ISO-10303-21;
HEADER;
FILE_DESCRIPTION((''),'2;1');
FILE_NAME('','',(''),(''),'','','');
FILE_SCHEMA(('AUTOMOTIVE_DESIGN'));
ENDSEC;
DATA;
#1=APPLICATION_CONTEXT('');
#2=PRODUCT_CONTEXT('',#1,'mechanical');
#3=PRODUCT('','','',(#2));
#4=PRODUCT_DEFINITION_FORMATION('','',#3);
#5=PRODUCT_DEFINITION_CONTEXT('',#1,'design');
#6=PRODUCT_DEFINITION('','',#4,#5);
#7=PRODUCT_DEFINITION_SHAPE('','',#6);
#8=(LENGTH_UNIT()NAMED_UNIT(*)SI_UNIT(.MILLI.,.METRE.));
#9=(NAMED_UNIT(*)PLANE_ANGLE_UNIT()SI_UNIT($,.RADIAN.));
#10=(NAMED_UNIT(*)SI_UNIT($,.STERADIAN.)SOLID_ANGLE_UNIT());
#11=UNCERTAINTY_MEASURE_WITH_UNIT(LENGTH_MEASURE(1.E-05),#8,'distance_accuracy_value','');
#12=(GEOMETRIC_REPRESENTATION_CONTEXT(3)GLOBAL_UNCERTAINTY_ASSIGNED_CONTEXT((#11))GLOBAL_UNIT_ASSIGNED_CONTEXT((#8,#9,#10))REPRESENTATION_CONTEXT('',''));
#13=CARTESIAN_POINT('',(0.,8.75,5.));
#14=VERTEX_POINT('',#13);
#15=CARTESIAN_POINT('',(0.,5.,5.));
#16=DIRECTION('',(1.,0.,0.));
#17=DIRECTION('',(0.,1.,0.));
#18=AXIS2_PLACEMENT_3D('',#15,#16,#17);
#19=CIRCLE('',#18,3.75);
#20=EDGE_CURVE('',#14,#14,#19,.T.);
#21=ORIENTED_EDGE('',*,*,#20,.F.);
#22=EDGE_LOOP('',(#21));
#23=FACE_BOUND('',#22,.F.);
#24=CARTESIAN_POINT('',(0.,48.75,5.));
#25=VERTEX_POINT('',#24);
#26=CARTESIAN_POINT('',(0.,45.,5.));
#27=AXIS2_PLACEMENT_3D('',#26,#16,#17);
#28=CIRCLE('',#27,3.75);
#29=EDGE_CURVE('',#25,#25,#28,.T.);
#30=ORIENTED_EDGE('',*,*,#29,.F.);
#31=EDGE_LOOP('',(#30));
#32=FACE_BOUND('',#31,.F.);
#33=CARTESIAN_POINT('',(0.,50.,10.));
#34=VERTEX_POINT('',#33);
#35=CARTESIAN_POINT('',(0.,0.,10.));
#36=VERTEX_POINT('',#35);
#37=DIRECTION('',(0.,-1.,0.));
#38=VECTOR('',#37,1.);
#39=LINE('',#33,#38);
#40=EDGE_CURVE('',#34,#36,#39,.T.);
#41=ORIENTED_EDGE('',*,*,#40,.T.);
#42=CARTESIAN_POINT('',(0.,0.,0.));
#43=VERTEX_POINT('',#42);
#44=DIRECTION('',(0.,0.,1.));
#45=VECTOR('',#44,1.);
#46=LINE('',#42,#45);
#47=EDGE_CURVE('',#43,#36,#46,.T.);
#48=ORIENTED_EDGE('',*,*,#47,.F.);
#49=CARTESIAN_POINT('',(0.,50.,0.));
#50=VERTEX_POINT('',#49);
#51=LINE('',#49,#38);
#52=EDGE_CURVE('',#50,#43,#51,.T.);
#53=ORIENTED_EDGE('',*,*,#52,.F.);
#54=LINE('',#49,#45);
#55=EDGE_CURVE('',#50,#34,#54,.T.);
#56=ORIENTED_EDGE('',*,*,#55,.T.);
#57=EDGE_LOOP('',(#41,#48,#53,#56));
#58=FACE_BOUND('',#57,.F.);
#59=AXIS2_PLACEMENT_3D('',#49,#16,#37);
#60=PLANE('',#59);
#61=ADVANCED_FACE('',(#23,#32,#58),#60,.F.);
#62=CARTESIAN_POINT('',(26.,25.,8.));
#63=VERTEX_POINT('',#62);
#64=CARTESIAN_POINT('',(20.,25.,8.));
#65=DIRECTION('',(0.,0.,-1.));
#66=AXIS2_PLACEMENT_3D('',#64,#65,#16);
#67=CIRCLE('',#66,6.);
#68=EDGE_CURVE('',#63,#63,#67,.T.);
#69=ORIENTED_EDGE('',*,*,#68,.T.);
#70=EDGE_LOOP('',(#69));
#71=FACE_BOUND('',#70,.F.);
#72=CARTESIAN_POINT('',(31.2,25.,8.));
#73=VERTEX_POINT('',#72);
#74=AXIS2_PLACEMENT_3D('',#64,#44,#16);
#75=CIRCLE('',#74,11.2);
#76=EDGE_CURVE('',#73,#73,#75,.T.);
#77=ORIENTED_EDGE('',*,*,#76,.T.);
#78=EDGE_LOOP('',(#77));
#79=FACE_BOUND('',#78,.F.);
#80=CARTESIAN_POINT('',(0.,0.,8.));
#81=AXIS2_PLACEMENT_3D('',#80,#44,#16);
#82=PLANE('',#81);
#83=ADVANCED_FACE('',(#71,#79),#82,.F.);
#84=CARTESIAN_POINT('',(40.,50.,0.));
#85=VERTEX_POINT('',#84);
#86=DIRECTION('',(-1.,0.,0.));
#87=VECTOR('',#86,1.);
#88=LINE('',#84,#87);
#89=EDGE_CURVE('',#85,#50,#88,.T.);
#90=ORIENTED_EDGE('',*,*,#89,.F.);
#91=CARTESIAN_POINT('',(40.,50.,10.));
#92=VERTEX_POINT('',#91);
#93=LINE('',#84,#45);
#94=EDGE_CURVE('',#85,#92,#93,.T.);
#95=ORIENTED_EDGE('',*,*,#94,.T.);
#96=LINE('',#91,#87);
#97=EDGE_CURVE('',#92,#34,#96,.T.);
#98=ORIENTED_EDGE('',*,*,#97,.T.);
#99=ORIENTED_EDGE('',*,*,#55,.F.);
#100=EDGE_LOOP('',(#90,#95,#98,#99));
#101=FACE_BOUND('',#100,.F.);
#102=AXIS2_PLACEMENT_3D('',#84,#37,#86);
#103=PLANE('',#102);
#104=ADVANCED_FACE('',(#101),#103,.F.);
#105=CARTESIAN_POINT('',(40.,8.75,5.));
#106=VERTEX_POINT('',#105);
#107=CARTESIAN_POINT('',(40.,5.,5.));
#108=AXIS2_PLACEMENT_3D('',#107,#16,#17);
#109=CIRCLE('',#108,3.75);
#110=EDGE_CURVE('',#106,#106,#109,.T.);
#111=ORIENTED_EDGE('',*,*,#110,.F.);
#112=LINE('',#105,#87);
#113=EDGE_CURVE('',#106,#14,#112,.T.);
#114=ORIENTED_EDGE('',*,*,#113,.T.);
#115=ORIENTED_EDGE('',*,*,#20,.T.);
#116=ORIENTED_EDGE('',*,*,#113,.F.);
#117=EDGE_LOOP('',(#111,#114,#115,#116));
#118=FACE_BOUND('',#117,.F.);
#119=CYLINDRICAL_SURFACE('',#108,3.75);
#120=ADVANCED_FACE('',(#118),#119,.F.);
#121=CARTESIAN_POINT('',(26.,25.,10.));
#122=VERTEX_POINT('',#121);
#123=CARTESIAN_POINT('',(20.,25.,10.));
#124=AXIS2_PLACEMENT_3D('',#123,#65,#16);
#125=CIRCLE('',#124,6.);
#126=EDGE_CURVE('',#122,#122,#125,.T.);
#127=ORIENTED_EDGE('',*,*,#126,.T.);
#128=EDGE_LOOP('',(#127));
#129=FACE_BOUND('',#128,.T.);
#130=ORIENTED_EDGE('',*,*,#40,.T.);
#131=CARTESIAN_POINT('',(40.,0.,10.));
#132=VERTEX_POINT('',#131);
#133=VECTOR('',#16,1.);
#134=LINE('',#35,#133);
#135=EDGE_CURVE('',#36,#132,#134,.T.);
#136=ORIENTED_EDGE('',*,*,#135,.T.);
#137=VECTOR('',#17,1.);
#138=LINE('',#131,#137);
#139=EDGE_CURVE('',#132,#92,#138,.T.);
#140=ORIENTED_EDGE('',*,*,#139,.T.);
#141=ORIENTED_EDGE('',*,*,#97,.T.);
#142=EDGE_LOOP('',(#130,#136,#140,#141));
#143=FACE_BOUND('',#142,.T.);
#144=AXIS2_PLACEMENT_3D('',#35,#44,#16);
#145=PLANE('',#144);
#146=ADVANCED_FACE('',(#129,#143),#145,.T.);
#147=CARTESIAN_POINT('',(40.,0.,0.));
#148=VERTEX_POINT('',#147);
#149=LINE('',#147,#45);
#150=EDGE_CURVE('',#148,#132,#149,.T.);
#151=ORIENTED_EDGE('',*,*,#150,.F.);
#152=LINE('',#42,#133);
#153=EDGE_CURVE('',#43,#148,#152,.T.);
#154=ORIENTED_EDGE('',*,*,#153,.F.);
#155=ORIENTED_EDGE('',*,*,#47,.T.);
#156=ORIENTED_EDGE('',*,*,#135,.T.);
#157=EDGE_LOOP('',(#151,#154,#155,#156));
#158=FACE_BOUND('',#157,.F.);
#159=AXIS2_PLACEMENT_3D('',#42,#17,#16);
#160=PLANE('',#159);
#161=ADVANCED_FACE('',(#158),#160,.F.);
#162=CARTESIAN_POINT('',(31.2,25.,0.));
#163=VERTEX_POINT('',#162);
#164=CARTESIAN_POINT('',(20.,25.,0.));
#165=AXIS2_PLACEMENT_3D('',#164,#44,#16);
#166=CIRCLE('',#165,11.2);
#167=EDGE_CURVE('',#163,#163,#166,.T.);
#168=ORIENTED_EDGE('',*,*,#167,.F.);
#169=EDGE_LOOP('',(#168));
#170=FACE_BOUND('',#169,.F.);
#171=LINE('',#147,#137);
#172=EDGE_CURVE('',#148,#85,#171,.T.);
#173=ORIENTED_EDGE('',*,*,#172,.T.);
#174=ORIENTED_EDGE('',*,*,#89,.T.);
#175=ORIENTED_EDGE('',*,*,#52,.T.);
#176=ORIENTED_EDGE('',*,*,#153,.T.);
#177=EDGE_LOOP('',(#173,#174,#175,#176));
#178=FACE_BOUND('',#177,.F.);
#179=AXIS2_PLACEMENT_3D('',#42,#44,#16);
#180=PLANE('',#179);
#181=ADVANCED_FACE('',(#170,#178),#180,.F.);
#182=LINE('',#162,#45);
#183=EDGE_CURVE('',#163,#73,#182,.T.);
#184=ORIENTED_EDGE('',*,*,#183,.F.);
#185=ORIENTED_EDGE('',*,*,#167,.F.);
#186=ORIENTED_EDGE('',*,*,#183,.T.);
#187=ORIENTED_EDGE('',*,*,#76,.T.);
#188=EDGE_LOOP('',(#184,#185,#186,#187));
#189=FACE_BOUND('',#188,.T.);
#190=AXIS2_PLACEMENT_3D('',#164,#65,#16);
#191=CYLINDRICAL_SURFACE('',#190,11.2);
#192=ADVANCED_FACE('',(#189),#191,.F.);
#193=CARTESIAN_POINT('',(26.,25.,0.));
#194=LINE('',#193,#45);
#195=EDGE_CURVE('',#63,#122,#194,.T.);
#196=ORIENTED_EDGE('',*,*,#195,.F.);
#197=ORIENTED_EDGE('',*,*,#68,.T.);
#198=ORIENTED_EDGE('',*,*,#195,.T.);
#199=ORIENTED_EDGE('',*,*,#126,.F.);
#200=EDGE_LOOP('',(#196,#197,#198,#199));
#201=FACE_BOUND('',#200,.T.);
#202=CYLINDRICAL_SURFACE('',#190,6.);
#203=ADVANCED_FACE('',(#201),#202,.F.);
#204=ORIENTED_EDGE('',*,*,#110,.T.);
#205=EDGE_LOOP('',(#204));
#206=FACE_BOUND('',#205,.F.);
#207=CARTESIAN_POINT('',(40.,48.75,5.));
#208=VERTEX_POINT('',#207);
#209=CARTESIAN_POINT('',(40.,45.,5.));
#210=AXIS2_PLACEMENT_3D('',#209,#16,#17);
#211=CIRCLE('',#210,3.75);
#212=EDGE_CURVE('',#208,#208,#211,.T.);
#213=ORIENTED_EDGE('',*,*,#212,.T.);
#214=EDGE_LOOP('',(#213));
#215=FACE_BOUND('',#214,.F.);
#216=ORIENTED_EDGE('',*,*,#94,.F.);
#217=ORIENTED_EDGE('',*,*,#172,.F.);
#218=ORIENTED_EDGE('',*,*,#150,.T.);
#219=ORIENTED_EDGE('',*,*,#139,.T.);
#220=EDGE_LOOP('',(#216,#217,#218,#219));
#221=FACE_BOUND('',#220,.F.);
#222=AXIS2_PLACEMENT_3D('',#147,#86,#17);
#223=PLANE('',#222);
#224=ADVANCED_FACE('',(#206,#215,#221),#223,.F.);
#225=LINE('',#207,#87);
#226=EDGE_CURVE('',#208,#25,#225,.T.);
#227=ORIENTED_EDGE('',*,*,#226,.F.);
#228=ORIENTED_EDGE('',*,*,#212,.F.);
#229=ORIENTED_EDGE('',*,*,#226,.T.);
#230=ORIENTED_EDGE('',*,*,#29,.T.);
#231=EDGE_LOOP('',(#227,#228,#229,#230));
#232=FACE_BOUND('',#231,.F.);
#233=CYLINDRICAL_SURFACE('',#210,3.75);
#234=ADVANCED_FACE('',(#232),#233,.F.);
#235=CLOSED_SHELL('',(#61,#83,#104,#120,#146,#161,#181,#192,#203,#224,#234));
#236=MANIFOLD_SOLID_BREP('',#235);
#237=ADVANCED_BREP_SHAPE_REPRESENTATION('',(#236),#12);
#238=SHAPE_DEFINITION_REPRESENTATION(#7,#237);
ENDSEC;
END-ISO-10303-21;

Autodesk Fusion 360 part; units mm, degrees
sketch "Top" plane through (0, 0, 0) normal (0, 0, 1) x (1, 0, 0)
  line L0 (0, 0) -> (40, 0)
  line L1 (40, 0) -> (40, 50)
  line L2 (40, 50) -> (0, 50)
  line L3 (0, 50) -> (0, 0)
  circle A0 centre (20, 25) radius 11.2
  circle A1 centre (20, 25) radius 6
  dimension "d6" = 40
  dimension "d7" = 50
  dimension "d11" = 22.4
  dimension "d12" = 25
  dimension "d13" = 20
  dimension "d27" = 12
extrude "Extrude1" add sketch "Top" along normal blind 10 contours L0 L1 L2 L3 | A0 | A1
extrude "Extrude2" cut sketch "Top" along normal blind 8 contours A0 | A1
sketch "Sketch2" plane through (40, 0, 0) normal (1, 0, 0) x (0, 1, 0)
  line L0 (0, 0) -> (50, 0)
  line L1 (50, 0) -> (50, 10)
  line L2 (50, 10) -> (0, 10)
  line L3 (0, 10) -> (0, 0)
  circle A0 centre (5, 5) radius 3.75
  circle A1 centre (45, 5) radius 3.75
  dimension "d16" = 7.5
  dimension "d17" = 7.5
  dimension "d18" = 5
  dimension "d19" = 5
  dimension "d20" = 5
  dimension "d21" = 5
extrude "Extrude3" cut sketch "Sketch2" against normal blind 50 contours A0
extrude "Extrude4" cut sketch "Sketch2" against normal blind 50 contours A1
extrude "Extrude5" cut sketch "Top" along normal blind 20 contours A1
equation "length = 50 mm"
equation "width = 40 mm"
equation "thickness = 10 mm"
equation "extra = 10 mm"
equation "fit_gap = 0.2 mm"
equation "d6 = width"
equation "d7 = length"
equation "d8 = thickness"
equation "bearing_outer_radius = 11.1 mm"
equation "d11 = ( bearing_outer_radius * 2 ) + fit_gap"
equation "d12 = length / 2"
equation "d13 = width / 2"
equation "d14 = thickness - 2 mm"
equation "d16 = 3 * thickness / 4"
equation "d17 = 3 * thickness / 4"
equation "d18 = thickness / 2"
equation "d19 = thickness / 2"
equation "d20 = thickness / 2"
equation "d21 = thickness / 2"
equation "d22 = -( width + extra )"
equation "d24 = -( width + extra )"
equation "bearing_inner_radius = ( 8 mm + 4 mm ) / 2"
equation "d27 = bearing_inner_radius * 2"
equation "d28 = thickness + extra"
